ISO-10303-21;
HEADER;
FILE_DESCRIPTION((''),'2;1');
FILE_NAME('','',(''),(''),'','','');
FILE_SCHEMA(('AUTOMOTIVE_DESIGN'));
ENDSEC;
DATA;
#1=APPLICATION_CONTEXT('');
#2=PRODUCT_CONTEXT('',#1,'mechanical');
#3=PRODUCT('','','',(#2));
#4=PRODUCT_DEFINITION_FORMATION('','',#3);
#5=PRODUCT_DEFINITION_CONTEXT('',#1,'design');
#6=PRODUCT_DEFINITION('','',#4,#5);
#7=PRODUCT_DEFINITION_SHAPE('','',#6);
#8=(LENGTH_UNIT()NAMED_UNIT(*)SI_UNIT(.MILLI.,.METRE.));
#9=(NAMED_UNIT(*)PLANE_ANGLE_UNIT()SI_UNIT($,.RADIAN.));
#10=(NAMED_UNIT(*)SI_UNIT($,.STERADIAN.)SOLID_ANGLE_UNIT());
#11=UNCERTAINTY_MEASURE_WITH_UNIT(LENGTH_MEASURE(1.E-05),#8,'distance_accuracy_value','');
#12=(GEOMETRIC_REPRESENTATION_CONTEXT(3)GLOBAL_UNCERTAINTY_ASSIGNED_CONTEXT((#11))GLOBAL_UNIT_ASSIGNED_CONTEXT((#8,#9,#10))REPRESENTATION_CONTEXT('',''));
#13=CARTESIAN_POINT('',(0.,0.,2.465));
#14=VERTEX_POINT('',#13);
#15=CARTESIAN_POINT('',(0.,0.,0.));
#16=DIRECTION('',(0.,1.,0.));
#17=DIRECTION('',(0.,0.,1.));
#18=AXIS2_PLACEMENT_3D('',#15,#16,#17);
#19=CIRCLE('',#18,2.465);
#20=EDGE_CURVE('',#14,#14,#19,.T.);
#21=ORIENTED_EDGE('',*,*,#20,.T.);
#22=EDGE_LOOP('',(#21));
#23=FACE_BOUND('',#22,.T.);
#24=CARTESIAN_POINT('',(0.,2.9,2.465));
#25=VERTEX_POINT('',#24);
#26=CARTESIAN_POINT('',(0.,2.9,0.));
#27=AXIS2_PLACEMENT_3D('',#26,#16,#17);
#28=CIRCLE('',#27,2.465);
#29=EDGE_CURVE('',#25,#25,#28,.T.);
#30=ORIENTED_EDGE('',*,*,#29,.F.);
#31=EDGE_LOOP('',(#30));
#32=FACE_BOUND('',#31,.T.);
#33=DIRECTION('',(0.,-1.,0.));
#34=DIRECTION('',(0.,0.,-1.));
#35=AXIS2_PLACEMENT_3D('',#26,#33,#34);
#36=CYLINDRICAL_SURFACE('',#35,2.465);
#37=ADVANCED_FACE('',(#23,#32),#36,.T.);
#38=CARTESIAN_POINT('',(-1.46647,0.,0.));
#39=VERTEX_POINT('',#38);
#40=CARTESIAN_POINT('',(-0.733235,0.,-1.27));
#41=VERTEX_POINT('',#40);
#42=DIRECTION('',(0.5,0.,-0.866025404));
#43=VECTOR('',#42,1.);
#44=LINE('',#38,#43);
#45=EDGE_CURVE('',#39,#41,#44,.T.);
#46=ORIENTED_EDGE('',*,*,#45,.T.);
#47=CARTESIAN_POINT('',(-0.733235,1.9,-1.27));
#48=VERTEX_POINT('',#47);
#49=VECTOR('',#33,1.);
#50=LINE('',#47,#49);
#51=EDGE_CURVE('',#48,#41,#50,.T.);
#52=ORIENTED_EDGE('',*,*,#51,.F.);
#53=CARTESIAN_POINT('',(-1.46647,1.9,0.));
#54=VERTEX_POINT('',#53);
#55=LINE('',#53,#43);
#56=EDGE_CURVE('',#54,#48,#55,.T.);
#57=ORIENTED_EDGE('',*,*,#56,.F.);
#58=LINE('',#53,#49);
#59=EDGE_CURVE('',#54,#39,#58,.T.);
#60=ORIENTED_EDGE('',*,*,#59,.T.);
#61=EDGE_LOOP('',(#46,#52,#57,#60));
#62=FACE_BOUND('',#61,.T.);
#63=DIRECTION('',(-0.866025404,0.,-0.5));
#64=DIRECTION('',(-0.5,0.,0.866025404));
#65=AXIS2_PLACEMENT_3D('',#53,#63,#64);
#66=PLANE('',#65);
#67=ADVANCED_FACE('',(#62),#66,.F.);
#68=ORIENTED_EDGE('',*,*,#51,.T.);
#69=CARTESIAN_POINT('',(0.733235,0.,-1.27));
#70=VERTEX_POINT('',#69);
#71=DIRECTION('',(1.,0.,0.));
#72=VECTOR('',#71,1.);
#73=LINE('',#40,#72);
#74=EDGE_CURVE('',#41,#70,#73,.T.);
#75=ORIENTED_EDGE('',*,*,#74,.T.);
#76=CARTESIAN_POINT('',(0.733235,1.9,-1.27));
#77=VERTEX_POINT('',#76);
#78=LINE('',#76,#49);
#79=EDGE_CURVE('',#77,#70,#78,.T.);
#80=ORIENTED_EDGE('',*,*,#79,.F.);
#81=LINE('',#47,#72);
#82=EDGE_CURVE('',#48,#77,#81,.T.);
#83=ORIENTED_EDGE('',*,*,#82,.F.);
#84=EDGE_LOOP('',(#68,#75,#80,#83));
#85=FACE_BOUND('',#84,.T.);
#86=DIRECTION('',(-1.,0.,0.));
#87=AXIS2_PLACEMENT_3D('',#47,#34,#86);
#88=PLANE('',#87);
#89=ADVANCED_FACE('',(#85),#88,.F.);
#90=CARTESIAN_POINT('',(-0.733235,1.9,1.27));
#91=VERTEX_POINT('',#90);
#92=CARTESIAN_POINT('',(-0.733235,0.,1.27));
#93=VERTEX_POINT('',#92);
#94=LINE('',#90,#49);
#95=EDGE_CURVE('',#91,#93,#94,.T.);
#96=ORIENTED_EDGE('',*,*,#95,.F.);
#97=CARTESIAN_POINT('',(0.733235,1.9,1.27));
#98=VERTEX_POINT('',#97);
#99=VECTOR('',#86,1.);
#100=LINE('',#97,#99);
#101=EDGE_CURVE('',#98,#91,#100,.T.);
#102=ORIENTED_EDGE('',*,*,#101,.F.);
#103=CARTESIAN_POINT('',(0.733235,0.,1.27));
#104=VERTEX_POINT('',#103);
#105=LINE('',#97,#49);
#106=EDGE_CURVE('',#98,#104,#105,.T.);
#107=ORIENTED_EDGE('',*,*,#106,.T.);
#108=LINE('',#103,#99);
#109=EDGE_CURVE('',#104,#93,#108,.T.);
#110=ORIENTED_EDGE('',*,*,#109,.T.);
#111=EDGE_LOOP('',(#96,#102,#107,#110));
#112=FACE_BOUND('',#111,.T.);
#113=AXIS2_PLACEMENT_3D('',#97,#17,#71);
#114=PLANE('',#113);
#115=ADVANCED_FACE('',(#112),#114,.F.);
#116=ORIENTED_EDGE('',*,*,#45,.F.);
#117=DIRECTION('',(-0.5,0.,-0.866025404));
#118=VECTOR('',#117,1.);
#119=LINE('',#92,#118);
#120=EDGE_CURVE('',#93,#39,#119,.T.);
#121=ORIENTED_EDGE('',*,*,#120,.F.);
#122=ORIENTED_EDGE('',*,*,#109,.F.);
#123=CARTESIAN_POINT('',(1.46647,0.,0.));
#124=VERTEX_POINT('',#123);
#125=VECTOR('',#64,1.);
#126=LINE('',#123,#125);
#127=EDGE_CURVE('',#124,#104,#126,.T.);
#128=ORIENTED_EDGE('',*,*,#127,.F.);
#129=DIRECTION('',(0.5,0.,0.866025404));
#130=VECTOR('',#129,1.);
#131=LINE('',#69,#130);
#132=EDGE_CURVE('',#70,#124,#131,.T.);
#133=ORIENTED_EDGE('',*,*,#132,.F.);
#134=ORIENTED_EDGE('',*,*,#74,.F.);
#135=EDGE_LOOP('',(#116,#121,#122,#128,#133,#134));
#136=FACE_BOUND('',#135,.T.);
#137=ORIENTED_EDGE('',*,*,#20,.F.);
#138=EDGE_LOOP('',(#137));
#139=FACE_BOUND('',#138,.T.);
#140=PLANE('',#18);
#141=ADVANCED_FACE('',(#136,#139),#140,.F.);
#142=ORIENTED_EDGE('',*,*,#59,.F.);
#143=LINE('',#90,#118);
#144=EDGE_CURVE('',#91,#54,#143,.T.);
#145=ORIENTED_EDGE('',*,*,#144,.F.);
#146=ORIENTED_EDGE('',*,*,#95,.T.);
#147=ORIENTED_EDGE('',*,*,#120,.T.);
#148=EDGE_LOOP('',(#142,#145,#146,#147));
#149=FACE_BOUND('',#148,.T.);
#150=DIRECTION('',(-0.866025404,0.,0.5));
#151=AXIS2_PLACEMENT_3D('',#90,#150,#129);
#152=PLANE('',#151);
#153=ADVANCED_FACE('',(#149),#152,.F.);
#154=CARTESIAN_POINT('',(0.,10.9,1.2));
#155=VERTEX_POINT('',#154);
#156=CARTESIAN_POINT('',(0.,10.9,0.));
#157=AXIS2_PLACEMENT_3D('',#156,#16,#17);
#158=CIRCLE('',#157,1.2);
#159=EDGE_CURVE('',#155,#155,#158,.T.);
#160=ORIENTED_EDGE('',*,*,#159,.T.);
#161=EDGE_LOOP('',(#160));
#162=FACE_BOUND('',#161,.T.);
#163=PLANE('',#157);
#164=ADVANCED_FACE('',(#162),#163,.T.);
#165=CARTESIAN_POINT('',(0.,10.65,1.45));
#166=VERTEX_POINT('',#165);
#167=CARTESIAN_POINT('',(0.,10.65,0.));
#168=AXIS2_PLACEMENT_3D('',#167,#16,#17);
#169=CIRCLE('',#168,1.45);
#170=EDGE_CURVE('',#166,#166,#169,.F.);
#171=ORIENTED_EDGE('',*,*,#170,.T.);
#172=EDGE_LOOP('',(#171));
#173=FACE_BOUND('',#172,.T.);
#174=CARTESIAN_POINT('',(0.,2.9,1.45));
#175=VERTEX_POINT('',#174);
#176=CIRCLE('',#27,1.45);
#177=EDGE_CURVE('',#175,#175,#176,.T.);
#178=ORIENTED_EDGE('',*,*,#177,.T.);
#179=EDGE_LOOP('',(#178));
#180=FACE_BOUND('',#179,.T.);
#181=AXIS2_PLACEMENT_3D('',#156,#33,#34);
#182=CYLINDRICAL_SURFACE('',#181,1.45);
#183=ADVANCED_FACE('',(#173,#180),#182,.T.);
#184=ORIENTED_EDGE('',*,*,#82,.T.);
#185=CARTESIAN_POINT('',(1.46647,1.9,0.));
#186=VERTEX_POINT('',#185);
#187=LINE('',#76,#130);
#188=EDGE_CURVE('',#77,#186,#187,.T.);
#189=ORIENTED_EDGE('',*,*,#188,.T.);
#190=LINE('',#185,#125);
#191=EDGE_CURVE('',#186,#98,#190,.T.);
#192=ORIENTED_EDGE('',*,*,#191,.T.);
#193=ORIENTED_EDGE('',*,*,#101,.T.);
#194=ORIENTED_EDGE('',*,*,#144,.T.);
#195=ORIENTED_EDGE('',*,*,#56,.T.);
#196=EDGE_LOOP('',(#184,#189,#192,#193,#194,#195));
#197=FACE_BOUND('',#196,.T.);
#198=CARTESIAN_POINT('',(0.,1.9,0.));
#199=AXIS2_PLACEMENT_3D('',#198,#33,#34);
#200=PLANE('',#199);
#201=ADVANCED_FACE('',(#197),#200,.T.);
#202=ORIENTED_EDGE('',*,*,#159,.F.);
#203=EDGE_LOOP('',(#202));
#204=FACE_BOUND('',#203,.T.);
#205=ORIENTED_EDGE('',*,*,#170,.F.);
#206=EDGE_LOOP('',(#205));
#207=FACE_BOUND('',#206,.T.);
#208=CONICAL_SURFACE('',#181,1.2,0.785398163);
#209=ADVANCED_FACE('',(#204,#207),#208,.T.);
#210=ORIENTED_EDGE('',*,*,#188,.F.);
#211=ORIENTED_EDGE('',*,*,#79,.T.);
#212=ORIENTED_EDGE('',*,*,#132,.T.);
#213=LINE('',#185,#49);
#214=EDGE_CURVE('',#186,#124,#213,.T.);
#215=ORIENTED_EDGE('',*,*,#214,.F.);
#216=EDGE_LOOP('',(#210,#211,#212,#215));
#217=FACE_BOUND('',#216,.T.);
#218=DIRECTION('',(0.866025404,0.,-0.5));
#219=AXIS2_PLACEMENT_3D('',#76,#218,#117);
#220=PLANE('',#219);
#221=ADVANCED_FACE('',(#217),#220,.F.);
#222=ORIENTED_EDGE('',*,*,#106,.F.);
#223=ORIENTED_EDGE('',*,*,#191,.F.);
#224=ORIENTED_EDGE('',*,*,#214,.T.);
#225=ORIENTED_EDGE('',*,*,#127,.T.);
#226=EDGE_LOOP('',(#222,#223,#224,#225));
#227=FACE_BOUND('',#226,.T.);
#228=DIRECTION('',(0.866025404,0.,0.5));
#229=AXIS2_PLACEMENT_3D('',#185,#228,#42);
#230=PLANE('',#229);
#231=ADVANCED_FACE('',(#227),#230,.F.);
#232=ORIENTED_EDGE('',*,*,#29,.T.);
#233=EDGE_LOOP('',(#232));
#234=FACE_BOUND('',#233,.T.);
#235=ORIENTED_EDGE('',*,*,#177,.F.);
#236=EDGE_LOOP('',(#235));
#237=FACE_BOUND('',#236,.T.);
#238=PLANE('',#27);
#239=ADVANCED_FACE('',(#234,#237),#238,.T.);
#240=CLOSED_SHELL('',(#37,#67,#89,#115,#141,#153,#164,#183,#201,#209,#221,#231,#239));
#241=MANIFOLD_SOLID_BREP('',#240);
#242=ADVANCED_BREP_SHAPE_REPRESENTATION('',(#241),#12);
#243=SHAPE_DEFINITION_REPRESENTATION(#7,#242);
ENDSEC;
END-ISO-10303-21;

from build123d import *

# Parameters (mm, degrees)
SKETCH1_R           = 2.465
BOSS_EXTRUDE1_DEPTH = 2.9
SKETCH2_R           = 1.45
BOSS_EXTRUDE2_DEPTH = 8
CUT_EXTRUDE1_DEPTH  = 1.9
CHAMFER1_SIZE       = 0.25


with BuildPart() as part:
    # Sketch1 → Boss-Extrude1 (new body)
    with BuildSketch(Plane(origin=(0, 0, 0), x_dir=(1, 0, 0), z_dir=(0, 1, 0))):
        Circle(SKETCH1_R)
    extrude(amount=BOSS_EXTRUDE1_DEPTH)

    # Sketch2 → Boss-Extrude2 (add)
    with BuildSketch(Plane(origin=(0, 2.9, 0), x_dir=(1, 0, 0), z_dir=(0, 1, 0))):
        Circle(SKETCH2_R)
    extrude(amount=BOSS_EXTRUDE2_DEPTH)

    # Sketch3 → Cut-Extrude1 (cut)
    with BuildSketch(Plane.XZ):
        Polygon((0.733234842, -1.27), (1.466469684, 0), (0.733234842, 1.27), (-0.733234842, 1.27), (-1.466469684, 0), (-0.733234842, -1.27), align=None)
    extrude(amount=-CUT_EXTRUDE1_DEPTH, mode=Mode.SUBTRACT)

    # Chamfer1
    chamfer1_edges = [part.edges().sort_by_distance(p)[0] for p in [
        (-1.45, 10.9, 0),
    ]]
    chamfer(chamfer1_edges, length=CHAMFER1_SIZE)


solid = part.part
